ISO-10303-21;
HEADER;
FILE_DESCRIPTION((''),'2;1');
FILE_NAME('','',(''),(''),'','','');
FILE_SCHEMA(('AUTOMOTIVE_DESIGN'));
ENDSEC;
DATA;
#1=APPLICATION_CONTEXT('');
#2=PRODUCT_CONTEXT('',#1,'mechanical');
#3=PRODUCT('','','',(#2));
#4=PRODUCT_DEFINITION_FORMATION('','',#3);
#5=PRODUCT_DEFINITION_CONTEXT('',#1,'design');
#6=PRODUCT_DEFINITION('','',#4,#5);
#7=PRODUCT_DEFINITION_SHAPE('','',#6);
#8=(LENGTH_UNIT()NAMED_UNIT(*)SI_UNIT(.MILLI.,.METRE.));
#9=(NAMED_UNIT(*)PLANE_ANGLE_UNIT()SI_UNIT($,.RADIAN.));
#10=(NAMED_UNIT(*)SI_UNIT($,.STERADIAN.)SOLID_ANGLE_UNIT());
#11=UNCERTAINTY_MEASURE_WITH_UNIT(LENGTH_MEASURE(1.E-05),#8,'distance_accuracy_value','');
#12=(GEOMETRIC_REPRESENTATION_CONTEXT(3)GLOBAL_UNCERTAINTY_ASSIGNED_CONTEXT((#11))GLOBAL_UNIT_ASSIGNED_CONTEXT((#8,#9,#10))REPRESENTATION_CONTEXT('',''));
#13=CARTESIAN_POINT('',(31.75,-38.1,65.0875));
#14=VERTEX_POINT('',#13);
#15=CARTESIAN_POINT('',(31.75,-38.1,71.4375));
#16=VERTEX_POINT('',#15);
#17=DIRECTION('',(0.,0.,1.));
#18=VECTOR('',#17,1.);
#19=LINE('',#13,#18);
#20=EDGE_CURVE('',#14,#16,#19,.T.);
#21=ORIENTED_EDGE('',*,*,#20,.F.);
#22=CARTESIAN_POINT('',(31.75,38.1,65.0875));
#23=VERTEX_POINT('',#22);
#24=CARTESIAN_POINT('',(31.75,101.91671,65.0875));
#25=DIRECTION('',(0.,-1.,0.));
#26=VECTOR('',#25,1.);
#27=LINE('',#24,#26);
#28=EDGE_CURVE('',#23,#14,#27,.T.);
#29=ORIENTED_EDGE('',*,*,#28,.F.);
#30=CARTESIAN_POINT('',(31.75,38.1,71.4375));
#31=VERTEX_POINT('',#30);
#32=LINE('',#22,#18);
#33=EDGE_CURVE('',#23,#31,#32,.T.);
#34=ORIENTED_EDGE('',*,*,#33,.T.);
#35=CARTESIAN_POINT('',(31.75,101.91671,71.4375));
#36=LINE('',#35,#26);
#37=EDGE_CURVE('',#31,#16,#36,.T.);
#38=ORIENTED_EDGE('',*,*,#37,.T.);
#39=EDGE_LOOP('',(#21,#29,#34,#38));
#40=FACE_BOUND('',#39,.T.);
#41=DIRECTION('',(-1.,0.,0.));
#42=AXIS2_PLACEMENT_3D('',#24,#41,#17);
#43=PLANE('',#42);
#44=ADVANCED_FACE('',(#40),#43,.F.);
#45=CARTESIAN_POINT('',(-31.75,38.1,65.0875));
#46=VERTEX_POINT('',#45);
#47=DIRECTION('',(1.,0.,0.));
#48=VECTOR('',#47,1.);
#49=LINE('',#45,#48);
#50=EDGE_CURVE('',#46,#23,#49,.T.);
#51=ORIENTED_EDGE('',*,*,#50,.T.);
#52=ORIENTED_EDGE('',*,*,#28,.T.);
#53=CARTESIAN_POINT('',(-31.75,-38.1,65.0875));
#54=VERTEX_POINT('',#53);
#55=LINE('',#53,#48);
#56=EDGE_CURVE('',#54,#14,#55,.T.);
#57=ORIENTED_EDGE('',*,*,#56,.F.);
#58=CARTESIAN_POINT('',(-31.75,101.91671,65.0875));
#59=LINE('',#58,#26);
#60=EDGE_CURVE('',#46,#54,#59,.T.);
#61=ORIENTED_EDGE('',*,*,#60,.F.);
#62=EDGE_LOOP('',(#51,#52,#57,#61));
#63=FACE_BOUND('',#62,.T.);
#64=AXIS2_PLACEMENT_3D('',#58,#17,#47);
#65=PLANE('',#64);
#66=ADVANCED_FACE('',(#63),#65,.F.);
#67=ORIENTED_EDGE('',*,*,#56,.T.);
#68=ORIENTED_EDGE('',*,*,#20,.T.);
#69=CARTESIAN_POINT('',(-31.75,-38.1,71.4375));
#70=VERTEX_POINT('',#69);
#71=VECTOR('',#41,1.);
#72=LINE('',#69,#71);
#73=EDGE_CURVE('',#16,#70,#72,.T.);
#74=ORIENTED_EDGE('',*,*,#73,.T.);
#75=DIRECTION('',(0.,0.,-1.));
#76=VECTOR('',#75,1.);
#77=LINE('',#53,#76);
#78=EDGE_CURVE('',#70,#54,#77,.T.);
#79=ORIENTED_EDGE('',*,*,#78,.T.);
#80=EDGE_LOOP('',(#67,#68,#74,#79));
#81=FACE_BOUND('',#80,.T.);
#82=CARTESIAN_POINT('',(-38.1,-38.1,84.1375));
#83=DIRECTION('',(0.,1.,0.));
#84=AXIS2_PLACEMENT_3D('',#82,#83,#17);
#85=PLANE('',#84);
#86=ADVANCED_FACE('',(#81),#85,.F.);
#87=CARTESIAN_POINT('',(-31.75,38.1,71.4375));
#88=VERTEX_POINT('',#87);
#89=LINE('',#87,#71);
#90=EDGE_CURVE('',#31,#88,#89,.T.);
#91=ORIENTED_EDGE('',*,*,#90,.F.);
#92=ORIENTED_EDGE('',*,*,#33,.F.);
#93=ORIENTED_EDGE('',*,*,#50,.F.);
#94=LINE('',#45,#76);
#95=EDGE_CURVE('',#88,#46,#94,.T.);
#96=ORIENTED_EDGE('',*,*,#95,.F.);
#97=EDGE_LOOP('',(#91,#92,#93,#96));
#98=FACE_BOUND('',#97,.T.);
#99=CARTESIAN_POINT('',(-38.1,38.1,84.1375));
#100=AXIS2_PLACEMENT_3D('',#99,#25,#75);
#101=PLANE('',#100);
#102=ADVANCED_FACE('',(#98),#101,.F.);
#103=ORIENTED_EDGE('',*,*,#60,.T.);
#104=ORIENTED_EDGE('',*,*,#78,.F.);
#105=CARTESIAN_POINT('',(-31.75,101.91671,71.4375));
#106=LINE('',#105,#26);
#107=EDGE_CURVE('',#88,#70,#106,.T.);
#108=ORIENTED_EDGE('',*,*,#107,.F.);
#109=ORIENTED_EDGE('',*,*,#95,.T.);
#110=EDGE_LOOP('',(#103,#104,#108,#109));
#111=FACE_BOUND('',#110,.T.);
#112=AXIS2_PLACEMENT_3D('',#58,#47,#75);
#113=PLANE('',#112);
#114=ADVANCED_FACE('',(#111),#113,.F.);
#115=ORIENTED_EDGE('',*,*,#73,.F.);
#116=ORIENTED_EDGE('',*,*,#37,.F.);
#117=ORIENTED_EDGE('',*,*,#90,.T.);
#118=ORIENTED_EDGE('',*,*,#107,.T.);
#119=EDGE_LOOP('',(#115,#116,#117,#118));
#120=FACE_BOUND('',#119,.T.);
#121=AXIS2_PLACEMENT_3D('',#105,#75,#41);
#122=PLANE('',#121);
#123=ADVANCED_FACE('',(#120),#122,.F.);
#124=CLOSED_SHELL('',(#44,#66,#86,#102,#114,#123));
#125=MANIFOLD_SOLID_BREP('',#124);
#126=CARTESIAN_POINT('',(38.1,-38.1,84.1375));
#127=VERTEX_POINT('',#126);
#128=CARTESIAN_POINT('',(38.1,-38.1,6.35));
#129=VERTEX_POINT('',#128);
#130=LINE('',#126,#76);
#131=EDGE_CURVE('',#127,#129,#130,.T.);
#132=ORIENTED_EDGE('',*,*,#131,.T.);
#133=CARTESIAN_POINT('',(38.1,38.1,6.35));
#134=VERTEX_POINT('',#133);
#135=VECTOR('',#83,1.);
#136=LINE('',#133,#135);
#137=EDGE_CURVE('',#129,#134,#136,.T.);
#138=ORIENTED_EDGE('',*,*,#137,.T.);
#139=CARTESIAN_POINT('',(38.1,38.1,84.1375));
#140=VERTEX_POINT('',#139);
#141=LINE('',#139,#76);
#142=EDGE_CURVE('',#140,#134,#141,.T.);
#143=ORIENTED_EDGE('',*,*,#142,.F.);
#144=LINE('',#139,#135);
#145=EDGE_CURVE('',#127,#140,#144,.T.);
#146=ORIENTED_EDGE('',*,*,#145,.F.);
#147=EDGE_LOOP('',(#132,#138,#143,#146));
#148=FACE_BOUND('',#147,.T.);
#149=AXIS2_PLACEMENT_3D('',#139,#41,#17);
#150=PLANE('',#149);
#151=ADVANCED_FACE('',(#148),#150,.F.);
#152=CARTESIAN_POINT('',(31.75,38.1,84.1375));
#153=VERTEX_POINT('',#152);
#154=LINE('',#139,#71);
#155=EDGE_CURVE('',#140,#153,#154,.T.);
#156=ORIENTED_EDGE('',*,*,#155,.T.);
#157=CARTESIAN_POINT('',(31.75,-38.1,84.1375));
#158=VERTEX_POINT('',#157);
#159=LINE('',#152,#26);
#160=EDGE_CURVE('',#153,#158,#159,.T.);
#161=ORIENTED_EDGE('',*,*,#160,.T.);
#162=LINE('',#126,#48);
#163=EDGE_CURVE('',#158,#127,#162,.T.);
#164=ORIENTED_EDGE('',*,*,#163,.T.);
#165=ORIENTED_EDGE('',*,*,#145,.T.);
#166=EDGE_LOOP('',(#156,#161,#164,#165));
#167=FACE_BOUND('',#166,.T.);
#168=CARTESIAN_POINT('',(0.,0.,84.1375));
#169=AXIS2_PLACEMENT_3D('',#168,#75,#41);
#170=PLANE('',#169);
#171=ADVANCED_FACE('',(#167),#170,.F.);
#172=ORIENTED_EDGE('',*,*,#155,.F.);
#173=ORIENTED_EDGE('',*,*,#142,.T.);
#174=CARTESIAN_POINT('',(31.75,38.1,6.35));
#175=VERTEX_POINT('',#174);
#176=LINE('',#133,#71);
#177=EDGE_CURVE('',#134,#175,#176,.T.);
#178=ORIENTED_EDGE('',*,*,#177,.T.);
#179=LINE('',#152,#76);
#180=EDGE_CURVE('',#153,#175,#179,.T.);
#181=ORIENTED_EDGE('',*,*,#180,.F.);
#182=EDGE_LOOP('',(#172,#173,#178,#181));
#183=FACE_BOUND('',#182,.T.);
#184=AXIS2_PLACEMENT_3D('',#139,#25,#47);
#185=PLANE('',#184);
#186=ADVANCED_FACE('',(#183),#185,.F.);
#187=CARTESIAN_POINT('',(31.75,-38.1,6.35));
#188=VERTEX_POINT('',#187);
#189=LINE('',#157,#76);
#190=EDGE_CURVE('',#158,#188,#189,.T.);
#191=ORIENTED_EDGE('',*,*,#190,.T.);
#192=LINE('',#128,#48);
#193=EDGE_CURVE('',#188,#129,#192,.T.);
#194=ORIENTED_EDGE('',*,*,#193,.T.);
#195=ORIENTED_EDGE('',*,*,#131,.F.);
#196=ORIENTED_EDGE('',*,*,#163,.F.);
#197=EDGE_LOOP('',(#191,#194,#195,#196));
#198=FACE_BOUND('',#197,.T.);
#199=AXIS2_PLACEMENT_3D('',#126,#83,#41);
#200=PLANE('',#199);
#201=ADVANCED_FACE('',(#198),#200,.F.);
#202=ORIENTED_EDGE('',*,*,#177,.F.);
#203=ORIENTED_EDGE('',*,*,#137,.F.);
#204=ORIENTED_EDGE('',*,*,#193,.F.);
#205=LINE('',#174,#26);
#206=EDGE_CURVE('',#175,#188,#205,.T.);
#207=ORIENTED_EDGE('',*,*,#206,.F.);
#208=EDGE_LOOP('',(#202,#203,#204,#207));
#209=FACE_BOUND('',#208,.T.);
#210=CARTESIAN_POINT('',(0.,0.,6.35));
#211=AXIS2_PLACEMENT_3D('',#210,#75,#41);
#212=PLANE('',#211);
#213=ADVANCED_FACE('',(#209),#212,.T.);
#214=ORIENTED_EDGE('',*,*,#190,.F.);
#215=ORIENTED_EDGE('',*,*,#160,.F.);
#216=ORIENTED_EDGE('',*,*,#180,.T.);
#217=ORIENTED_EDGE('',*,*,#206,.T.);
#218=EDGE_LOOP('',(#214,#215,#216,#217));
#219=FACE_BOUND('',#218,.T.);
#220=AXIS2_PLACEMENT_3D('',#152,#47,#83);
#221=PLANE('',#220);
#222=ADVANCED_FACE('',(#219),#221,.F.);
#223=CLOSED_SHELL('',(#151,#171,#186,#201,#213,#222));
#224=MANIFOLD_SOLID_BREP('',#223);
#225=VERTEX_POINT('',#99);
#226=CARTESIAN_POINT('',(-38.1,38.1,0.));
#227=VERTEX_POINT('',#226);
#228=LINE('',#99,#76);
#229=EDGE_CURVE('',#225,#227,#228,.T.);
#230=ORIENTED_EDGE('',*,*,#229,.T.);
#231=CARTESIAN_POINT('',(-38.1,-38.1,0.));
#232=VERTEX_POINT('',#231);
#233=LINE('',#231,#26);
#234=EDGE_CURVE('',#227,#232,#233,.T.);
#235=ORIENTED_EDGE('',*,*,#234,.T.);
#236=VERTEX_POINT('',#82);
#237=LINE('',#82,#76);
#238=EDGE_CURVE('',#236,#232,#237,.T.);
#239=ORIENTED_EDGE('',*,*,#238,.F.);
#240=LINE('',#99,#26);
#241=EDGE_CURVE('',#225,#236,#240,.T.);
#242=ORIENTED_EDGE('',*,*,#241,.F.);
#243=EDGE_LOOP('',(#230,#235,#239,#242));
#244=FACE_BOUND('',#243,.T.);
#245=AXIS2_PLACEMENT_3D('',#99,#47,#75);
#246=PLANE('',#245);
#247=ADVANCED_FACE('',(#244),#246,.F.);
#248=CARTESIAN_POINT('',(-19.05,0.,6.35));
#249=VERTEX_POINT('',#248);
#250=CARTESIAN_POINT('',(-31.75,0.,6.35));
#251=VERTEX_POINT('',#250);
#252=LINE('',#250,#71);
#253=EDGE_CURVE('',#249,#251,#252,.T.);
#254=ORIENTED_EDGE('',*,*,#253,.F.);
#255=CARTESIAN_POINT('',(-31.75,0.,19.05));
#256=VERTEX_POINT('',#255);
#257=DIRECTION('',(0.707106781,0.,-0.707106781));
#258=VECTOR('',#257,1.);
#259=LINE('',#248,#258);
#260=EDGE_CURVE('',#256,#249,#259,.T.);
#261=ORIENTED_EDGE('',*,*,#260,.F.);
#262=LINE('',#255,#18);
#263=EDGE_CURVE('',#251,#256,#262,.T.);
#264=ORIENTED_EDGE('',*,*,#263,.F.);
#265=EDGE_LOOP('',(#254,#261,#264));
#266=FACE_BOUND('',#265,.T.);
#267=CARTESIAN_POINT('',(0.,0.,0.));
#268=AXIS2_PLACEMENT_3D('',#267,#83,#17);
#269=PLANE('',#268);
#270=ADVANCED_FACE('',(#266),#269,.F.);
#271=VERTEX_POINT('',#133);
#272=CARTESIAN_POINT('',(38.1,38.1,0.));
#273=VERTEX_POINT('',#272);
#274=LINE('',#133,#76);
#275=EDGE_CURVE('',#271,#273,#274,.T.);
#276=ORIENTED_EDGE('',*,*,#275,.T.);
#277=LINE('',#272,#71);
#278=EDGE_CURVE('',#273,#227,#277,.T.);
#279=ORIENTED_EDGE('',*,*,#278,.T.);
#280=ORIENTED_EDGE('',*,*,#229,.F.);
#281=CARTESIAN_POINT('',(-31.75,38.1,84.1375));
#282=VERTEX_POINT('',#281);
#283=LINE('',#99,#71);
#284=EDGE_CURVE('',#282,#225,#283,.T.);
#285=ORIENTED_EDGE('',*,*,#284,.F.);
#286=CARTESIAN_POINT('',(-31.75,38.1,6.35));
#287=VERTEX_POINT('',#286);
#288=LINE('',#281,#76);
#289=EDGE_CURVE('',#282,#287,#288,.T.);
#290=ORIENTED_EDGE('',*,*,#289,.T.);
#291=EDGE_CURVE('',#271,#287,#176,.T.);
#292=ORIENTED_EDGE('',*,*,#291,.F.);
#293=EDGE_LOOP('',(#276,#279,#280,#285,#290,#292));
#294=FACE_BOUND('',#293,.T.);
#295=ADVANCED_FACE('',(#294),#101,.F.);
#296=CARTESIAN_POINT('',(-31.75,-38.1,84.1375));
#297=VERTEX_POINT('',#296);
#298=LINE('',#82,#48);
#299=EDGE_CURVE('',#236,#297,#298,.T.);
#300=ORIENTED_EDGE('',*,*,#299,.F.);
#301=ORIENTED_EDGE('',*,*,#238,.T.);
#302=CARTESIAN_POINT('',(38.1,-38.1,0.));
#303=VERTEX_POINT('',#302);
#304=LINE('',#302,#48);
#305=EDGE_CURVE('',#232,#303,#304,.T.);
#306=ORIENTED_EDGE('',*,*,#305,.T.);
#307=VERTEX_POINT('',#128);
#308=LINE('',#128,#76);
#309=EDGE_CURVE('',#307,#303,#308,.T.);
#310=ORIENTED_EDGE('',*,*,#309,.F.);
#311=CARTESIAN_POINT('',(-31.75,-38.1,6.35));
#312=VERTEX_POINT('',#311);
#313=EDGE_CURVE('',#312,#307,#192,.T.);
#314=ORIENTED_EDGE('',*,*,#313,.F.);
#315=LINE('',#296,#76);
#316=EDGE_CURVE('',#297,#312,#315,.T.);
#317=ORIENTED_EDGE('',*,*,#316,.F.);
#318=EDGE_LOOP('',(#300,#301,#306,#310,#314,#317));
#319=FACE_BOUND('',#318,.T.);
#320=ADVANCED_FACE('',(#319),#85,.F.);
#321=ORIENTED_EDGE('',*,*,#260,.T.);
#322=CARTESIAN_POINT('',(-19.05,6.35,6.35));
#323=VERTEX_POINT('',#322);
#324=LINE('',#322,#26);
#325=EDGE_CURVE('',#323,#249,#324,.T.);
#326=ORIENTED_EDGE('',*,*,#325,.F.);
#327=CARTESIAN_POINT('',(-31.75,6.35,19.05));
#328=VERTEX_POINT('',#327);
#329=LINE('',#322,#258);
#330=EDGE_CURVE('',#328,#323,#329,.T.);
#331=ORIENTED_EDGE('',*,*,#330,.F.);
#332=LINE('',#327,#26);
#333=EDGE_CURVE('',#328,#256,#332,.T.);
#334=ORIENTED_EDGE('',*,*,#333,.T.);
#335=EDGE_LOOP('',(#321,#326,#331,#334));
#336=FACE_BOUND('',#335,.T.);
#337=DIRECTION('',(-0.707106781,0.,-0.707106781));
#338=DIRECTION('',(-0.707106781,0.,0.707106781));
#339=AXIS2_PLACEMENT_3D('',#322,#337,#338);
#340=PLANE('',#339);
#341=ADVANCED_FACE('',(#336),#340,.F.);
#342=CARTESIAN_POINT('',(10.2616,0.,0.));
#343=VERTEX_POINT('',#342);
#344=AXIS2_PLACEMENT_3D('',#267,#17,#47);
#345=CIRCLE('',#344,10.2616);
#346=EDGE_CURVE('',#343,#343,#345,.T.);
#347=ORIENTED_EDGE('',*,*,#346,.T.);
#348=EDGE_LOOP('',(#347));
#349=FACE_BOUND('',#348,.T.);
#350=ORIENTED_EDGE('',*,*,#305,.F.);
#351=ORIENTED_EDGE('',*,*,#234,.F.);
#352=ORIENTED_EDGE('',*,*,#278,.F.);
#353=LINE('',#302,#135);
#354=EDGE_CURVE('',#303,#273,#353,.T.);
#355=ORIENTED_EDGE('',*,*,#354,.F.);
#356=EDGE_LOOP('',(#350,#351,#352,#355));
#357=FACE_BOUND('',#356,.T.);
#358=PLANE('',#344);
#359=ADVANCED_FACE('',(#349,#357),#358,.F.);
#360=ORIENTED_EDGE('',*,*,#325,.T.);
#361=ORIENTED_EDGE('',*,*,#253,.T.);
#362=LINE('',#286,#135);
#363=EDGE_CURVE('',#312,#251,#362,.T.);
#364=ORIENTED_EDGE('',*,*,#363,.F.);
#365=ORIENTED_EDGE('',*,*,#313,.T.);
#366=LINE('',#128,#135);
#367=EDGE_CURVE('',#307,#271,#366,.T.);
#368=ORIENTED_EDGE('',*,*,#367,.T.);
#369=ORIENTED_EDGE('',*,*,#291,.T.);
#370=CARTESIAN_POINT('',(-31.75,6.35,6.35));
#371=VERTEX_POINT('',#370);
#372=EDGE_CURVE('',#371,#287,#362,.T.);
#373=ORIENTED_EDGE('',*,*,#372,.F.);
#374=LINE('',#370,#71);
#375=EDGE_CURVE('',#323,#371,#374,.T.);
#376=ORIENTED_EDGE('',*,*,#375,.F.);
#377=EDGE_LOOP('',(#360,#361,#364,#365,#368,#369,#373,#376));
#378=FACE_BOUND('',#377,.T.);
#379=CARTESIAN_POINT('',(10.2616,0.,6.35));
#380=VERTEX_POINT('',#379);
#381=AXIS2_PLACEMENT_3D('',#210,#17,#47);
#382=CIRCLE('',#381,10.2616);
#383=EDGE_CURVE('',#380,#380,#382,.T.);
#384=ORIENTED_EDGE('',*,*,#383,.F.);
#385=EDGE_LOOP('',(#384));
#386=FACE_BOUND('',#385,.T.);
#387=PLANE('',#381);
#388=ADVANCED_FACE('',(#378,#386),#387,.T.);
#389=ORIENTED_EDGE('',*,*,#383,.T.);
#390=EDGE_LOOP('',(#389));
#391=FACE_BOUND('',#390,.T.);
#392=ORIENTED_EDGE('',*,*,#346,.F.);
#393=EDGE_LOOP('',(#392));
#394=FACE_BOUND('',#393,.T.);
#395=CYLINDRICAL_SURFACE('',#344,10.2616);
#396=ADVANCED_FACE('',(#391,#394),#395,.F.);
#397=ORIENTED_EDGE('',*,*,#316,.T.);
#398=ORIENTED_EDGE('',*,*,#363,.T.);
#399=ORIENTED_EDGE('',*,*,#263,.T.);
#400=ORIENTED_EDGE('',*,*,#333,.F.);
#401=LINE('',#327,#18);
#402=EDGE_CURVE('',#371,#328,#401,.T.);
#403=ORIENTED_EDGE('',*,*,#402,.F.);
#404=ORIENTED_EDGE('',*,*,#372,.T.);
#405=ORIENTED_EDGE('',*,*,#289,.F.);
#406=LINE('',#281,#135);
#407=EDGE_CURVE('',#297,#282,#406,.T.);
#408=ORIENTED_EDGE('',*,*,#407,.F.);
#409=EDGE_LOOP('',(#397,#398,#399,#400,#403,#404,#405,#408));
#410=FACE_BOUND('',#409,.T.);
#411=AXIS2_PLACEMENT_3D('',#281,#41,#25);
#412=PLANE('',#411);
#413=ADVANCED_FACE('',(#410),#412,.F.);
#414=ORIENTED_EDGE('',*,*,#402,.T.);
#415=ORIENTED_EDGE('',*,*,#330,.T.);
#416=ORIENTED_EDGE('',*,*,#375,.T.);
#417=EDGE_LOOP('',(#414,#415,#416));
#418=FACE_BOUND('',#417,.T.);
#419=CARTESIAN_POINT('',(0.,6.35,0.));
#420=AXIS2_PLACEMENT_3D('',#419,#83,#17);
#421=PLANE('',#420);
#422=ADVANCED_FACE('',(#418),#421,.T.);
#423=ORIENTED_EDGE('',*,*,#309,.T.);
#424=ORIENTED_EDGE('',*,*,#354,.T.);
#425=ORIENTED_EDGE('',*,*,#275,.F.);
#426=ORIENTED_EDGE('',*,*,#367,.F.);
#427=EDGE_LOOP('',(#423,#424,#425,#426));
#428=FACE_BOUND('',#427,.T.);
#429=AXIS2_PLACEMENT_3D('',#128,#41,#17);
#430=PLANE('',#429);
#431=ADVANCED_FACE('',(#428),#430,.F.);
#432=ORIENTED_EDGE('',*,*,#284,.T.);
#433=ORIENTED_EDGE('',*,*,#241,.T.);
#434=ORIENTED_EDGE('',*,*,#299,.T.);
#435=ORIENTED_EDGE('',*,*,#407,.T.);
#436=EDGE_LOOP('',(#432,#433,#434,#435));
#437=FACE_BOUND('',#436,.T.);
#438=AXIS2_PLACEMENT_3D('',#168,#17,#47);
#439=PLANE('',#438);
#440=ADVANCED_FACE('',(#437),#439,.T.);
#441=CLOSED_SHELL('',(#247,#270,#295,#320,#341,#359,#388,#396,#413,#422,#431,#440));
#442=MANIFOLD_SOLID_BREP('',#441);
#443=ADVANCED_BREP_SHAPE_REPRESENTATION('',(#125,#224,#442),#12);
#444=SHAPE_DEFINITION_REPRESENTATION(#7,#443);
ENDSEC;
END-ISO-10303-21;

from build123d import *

# Parameters (mm, degrees)
SKETCH1_W                       = 76.2
SKETCH1_H                       = 76.2
BOSS_EXTRUDE1_DEPTH             = 6.35
SKETCH2_W                       = 6.35
SKETCH2_H                       = 76.2
BOSS_EXTRUDE2_DEPTH             = 77.7875
BOSS_EXTRUDE2_2_DEPTH           = 77.7875
SKETCH3_R                       = 10.2616
CUT_EXTRUDE1_DEPTH              = 95.626186419
BOSS_EXTRUDE3_REACH             = 101.912
SKETCH4_W                       = 63.5
SKETCH4_H                       = 6.35
BOSS_EXTRUDE3_DIRECTION_2_REACH = 101.912
BOSS_EXTRUDE4_DEPTH             = 6.35


with BuildPart() as part:
    # Sketch1 → Boss-Extrude1 (new body)
    with BuildSketch(Plane.XY):
        Rectangle(SKETCH1_W, SKETCH1_H)
    extrude(amount=BOSS_EXTRUDE1_DEPTH)

    # Sketch3 → Cut-Extrude1 (cut, through all)
    with BuildSketch(Plane.XY.offset(6.35)):
        Circle(SKETCH3_R)
    extrude(amount=-CUT_EXTRUDE1_DEPTH, mode=Mode.SUBTRACT)



with BuildPart() as body_2:
    # Sketch2 → Boss-Extrude2 (new body)
    with BuildSketch(Plane.XY.offset(6.35)):
        with Locations((-34.925, 0)):
            Rectangle(SKETCH2_W, SKETCH2_H)
    extrude(amount=BOSS_EXTRUDE2_DEPTH)


with BuildPart() as body_3:
    # Sketch2 → Boss-Extrude2 2 (new body)
    with BuildSketch(Plane.XY.offset(6.35)):
        with Locations((34.925, 0)):
            Rectangle(SKETCH2_W, SKETCH2_H)
    extrude(amount=BOSS_EXTRUDE2_2_DEPTH)


with BuildPart() as body_4:

    # Boss-Extrude3: up to this face of the body (flat: up to its plane)
    boss_extrude3_end = Plane(body_2.part.faces().sort_by_distance((-34.925, 38.1, 45.24375))[0])
    # Sketch4 → Boss-Extrude3 (new, up to the picked face)
    with BuildSketch(Plane(origin=(0, 0, 0), x_dir=(1, 0, 0), z_dir=(0, 1, 0)), mode=Mode.PRIVATE) as boss_extrude3_sk1:
        with Locations((0, -68.2625)):
            Rectangle(SKETCH4_W, SKETCH4_H)
    boss_extrude3_tool1 = split(extrude(boss_extrude3_sk1.sketch, amount=BOSS_EXTRUDE3_REACH, mode=Mode.PRIVATE), bisect_by=boss_extrude3_end, keep=Keep.BOTH, mode=Mode.PRIVATE)
    add(boss_extrude3_tool1.solids().sort_by(Axis((0, 0, 68.2625), (0, 1, 0)))[0])


    # Boss-Extrude3 direction 2: up to this face of the body (flat: up to its plane)
    boss_extrude3_direction_2_end = Plane(body_2.part.faces().sort_by_distance((-34.925, -38.1, 45.24375))[0])
    # Sketch4 → Boss-Extrude3 direction 2 (add, up to the picked face)
    with BuildSketch(Plane(origin=(0, 0, 0), x_dir=(1, 0, 0), z_dir=(0, 1, 0)), mode=Mode.PRIVATE) as boss_extrude3_direction_2_sk1:
        with Locations((0, -68.2625)):
            Rectangle(SKETCH4_W, SKETCH4_H)
    boss_extrude3_direction_2_tool1 = split(extrude(boss_extrude3_direction_2_sk1.sketch, amount=-BOSS_EXTRUDE3_DIRECTION_2_REACH, mode=Mode.PRIVATE), bisect_by=boss_extrude3_direction_2_end, keep=Keep.BOTH, mode=Mode.PRIVATE)
    add(boss_extrude3_direction_2_tool1.solids().sort_by(Axis((0, 0, 68.2625), (0, -1, 0)))[0])


with BuildPart() as part_1:
    add(part.part)

    add(body_2.part)  # Boss-Extrude4 merges body 2
    # Sketch5 → Boss-Extrude4 (add)
    with BuildSketch(Plane(origin=(0, 0, 0), x_dir=(1, 0, 0), z_dir=(0, 1, 0))):
        Polygon((-19.05, -6.35), (-31.75, -19.05), (-31.75, -6.35), align=None)
    extrude(amount=BOSS_EXTRUDE4_DEPTH)


solid = Compound([body_3.part, body_4.part, part_1.part])
